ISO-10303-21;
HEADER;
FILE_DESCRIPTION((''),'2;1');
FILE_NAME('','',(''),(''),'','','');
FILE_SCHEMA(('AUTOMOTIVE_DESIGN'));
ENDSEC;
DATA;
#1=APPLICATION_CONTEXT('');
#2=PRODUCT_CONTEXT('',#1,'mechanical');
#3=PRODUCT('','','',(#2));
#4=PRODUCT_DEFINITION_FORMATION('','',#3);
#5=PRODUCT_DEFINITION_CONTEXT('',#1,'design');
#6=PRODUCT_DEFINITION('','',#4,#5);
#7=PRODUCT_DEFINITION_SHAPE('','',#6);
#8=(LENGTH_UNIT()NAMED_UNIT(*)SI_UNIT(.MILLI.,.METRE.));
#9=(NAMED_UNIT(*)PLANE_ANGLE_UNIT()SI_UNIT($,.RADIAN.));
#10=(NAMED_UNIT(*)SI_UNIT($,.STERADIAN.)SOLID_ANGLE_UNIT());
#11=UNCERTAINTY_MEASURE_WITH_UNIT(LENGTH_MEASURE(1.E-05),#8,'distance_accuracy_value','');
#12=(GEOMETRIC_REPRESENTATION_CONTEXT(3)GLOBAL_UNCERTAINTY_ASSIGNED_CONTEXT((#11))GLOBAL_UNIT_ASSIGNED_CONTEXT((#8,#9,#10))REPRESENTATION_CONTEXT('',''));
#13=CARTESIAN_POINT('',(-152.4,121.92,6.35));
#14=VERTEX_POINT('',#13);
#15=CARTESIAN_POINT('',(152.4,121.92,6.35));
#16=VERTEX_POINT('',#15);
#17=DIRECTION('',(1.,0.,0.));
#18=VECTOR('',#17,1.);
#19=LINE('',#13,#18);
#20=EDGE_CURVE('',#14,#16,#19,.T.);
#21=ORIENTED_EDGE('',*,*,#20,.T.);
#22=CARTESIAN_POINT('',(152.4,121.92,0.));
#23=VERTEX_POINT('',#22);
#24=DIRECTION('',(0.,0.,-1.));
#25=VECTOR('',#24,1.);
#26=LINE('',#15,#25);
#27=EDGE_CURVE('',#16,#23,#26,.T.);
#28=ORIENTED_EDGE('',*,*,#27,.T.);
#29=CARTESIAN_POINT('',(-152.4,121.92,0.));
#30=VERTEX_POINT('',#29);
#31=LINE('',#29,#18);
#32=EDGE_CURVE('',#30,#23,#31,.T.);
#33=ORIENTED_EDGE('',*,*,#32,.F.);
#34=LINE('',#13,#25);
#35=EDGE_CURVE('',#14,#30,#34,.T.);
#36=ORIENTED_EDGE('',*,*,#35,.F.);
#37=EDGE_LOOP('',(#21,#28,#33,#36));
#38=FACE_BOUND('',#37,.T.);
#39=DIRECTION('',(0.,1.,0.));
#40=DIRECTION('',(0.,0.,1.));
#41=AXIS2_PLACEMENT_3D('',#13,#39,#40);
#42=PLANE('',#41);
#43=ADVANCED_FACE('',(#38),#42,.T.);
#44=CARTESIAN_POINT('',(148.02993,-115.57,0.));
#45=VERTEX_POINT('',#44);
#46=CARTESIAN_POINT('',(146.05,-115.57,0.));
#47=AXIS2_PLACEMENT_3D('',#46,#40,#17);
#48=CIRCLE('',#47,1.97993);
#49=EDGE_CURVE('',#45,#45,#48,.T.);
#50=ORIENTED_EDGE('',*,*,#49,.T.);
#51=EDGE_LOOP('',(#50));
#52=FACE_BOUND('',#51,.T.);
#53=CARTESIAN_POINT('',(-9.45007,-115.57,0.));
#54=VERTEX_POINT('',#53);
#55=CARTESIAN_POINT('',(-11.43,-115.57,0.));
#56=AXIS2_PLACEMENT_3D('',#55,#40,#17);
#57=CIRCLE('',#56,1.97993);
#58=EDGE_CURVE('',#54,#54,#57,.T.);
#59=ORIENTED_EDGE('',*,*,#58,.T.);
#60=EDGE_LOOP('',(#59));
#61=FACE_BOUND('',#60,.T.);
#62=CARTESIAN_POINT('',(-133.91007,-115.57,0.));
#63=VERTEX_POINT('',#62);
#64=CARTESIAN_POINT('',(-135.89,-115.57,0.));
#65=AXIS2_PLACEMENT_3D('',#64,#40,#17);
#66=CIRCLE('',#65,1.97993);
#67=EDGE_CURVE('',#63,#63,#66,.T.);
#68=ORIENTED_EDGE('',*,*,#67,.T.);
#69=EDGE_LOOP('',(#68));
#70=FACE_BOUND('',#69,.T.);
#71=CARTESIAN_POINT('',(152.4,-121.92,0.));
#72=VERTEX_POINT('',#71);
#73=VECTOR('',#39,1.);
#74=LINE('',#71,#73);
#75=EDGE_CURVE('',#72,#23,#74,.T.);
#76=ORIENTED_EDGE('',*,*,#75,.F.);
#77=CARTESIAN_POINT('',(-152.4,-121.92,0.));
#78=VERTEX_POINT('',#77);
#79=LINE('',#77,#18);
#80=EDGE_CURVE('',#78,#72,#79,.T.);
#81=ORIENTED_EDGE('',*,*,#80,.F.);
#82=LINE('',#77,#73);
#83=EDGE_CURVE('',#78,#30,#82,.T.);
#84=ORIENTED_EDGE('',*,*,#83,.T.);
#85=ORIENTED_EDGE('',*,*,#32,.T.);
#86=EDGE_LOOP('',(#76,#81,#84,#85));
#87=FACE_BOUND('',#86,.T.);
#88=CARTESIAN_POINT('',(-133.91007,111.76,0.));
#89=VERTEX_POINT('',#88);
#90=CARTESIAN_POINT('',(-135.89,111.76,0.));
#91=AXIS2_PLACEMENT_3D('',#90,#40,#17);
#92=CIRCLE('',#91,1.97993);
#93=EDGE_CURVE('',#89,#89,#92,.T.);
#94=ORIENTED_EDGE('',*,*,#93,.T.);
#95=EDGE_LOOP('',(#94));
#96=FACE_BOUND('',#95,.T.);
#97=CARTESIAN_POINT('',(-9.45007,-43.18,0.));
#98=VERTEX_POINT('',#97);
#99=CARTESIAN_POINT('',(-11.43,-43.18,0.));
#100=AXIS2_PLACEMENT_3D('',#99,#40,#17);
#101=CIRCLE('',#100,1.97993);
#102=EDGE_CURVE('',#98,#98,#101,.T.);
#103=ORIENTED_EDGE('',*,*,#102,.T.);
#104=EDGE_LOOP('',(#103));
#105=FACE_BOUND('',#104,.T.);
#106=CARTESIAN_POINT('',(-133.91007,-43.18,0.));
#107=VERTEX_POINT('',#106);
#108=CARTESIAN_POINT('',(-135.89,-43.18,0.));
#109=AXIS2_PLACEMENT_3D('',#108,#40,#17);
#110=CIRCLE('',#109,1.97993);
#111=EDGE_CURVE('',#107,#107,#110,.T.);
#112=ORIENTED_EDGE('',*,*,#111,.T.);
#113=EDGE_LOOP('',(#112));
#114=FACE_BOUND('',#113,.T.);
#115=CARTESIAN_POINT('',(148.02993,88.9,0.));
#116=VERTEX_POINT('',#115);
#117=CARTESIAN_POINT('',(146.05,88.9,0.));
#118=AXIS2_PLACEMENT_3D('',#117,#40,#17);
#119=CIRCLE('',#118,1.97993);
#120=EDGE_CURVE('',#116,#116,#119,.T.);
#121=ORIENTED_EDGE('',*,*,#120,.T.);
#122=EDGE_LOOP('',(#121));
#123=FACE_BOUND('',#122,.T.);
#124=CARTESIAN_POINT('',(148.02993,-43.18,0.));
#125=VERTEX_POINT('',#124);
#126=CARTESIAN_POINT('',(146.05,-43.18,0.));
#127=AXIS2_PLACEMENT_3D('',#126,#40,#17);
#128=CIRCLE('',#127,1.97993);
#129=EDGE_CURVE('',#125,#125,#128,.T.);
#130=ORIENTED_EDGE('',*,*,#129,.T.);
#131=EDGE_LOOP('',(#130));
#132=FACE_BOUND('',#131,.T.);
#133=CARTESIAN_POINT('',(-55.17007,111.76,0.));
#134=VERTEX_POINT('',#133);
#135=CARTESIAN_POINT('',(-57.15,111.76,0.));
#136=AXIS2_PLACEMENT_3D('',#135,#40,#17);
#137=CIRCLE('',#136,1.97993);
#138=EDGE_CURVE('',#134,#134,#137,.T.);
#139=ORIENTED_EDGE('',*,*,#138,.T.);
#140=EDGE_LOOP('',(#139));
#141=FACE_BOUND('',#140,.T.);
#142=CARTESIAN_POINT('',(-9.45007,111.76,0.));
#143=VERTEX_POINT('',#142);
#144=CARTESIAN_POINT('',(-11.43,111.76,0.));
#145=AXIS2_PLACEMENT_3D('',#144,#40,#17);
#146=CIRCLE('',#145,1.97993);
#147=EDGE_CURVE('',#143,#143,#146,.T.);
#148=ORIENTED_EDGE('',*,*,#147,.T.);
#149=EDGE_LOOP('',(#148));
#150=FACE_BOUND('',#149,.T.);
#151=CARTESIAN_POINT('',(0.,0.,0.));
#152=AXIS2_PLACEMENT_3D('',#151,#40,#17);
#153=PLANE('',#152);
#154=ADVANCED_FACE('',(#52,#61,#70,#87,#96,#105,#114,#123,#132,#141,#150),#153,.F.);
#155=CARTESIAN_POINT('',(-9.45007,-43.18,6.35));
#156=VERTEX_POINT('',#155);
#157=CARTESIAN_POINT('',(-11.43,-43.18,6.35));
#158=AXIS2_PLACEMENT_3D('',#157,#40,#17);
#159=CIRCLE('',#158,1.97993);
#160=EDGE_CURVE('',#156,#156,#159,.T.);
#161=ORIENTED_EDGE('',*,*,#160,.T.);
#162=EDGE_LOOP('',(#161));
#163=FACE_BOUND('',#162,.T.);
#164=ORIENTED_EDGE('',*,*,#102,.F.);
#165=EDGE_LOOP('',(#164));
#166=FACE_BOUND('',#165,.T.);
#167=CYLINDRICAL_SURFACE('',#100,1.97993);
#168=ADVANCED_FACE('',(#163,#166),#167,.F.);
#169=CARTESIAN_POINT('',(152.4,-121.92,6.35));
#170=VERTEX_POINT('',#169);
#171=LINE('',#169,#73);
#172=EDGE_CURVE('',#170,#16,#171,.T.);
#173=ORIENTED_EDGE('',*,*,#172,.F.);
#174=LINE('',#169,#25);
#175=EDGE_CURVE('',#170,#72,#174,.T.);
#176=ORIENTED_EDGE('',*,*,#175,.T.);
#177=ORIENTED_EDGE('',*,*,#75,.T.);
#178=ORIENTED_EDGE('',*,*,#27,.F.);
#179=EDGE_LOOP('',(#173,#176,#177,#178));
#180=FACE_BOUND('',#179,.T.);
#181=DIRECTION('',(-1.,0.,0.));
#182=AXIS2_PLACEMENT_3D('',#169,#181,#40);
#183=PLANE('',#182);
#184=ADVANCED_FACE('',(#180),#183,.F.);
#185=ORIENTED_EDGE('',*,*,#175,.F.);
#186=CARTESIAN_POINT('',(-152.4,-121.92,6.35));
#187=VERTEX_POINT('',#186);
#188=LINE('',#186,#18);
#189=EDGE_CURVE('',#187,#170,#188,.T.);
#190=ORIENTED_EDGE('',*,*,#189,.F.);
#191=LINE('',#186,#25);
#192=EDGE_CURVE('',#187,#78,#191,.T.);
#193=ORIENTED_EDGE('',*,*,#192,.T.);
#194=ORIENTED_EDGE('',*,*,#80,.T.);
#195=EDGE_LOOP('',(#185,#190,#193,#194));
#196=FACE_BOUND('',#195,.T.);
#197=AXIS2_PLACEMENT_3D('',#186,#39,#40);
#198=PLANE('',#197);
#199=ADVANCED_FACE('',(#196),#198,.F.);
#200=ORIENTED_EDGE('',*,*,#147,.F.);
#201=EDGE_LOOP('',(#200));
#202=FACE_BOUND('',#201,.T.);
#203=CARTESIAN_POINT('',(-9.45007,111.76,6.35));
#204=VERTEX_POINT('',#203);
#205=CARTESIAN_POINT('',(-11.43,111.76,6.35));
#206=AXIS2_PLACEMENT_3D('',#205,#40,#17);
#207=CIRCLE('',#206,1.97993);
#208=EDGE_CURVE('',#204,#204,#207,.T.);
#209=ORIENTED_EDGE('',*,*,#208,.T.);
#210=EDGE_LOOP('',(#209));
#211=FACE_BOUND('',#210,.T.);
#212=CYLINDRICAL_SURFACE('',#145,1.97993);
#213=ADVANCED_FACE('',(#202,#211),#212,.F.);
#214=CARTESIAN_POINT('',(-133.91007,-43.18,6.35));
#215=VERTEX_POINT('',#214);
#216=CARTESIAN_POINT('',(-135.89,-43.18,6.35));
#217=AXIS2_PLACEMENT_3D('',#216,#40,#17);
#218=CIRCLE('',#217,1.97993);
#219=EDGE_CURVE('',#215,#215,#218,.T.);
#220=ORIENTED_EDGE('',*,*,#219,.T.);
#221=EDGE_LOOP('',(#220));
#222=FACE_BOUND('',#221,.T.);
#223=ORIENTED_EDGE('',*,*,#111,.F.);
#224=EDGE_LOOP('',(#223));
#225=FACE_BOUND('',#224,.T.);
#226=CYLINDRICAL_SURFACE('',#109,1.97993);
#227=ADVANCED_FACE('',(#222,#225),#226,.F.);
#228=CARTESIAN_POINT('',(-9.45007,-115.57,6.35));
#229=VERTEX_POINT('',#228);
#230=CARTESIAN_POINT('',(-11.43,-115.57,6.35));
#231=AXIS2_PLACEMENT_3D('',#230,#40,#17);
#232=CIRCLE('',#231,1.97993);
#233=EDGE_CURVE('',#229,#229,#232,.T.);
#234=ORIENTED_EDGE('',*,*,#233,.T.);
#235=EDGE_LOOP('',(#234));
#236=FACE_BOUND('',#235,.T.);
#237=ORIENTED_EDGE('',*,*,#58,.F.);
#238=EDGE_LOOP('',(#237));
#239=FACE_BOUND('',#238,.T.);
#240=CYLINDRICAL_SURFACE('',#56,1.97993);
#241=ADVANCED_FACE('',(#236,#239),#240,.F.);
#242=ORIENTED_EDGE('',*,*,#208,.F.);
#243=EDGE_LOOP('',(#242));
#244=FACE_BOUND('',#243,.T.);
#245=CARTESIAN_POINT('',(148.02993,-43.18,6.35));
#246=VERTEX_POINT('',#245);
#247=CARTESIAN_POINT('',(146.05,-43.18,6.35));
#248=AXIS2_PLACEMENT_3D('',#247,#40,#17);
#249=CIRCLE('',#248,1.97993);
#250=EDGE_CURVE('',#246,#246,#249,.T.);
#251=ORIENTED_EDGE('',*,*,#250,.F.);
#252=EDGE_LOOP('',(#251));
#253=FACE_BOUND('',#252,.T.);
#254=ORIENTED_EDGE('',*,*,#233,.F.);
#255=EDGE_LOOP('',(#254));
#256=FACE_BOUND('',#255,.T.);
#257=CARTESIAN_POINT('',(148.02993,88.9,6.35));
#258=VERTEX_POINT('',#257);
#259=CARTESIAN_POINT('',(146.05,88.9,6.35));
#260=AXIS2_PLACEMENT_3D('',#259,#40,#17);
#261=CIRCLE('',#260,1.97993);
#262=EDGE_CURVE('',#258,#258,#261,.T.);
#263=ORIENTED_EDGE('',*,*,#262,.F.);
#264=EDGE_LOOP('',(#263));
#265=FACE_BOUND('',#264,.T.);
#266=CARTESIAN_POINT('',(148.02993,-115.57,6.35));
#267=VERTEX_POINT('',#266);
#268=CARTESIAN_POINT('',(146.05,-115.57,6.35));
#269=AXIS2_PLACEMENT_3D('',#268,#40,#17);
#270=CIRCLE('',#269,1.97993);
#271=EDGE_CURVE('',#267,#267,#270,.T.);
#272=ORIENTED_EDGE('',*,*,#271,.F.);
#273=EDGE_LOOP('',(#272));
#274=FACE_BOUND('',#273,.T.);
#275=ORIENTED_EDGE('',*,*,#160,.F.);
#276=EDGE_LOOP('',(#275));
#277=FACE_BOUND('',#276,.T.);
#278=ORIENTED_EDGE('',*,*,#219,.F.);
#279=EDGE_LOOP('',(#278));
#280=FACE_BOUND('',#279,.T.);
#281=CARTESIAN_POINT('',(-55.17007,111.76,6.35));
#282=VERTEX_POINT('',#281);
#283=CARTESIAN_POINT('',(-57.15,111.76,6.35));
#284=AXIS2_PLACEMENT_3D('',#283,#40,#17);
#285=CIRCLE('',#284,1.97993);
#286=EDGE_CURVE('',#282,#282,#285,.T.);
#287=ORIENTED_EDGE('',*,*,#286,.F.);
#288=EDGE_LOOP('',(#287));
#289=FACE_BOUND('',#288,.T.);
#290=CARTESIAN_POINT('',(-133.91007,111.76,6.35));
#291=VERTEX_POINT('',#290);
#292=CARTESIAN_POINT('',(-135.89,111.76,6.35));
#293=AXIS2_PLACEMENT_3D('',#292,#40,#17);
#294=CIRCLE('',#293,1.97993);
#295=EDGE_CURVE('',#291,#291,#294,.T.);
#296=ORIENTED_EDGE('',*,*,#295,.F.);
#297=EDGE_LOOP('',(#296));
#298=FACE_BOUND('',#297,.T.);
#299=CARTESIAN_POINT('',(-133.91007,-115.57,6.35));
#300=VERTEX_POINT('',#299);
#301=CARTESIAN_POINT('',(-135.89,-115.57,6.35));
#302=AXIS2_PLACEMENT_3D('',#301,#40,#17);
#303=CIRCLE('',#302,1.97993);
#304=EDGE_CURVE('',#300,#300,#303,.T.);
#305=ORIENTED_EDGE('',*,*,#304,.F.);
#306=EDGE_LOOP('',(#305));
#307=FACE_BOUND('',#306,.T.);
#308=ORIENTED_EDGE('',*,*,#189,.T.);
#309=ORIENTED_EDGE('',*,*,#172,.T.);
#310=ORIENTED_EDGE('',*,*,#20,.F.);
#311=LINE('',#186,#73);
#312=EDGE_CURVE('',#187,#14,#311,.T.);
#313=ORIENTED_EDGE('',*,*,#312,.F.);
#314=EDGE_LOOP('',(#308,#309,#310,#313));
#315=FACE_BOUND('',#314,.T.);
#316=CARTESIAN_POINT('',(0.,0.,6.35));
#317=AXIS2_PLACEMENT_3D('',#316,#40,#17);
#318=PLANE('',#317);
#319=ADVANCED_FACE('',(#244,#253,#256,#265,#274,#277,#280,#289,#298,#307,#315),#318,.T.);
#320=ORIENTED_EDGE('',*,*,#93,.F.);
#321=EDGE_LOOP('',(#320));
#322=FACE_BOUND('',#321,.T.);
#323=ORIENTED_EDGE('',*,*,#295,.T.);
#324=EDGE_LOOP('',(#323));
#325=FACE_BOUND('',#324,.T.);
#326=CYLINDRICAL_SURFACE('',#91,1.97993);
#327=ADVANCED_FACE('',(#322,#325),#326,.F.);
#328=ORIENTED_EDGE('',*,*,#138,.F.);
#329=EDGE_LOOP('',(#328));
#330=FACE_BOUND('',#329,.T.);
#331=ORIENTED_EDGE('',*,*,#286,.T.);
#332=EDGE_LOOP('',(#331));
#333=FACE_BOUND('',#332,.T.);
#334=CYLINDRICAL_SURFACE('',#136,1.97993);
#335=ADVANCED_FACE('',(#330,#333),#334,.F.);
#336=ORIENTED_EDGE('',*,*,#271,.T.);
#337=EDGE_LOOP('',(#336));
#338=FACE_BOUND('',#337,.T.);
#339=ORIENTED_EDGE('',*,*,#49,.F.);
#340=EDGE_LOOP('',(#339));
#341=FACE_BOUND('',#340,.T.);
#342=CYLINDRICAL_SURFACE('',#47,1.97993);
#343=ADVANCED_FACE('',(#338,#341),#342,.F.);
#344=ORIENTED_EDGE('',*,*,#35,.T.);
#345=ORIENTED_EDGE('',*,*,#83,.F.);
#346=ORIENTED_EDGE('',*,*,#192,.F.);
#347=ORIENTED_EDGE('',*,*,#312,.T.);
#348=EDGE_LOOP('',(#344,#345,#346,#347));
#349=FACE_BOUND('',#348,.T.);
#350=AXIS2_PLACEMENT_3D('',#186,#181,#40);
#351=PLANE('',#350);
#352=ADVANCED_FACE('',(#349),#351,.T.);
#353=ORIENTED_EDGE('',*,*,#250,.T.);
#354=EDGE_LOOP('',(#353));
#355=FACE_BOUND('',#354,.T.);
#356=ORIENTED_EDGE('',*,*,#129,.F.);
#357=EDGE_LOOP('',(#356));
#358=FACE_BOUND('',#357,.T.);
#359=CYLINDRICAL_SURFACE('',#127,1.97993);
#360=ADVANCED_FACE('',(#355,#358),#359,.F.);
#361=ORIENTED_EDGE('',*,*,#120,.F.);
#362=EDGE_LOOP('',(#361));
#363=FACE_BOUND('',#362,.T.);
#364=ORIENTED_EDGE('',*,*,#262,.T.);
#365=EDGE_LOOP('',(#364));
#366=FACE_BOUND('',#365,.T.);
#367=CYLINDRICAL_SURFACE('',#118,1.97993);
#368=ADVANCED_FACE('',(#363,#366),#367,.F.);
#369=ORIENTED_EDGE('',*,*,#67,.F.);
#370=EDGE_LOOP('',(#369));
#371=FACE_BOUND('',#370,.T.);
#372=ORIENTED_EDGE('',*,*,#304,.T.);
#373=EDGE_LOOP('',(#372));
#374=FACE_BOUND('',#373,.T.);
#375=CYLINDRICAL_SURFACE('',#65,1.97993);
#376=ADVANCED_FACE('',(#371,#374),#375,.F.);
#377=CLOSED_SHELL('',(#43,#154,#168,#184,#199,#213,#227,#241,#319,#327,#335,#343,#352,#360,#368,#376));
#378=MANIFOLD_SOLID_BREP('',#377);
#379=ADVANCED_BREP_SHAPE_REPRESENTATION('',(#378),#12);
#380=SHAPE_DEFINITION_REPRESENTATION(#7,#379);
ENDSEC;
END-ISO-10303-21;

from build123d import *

# Parameters (mm, degrees)
SKETCH2_W           = 304.8
SKETCH2_H           = 243.84
BOSS_EXTRUDE1_DEPTH = 6.35
SKETCH3_R           = 1.97993
CUT_EXTRUDE1_DEPTH  = 196.270501869


with BuildPart() as part:
    # Sketch2 → Boss-Extrude1 (new body)
    with BuildSketch(Plane.XY):
        Rectangle(SKETCH2_W, SKETCH2_H)
    extrude(amount=BOSS_EXTRUDE1_DEPTH)

    # Sketch3 → Cut-Extrude1 (cut, through all)
    with BuildSketch(Plane.XY.offset(6.35)):
        with Locations((-135.89, -43.18)):
            Circle(SKETCH3_R)
        with Locations((-11.43, -43.18)):
            Circle(SKETCH3_R)
        with Locations((146.05, -43.18)):
            Circle(SKETCH3_R)
        with Locations((-135.89, -115.57)):
            Circle(SKETCH3_R)
        with Locations((-11.43, -115.57)):
            Circle(SKETCH3_R)
        with Locations((146.05, -115.57)):
            Circle(SKETCH3_R)
        with Locations((-135.89, 111.76)):
            Circle(SKETCH3_R)
        with Locations((-57.15, 111.76)):
            Circle(SKETCH3_R)
        with Locations((-11.43, 111.76)):
            Circle(SKETCH3_R)
        with Locations((146.05, 88.9)):
            Circle(SKETCH3_R)
    extrude(amount=-CUT_EXTRUDE1_DEPTH, mode=Mode.SUBTRACT)


solid = part.part
